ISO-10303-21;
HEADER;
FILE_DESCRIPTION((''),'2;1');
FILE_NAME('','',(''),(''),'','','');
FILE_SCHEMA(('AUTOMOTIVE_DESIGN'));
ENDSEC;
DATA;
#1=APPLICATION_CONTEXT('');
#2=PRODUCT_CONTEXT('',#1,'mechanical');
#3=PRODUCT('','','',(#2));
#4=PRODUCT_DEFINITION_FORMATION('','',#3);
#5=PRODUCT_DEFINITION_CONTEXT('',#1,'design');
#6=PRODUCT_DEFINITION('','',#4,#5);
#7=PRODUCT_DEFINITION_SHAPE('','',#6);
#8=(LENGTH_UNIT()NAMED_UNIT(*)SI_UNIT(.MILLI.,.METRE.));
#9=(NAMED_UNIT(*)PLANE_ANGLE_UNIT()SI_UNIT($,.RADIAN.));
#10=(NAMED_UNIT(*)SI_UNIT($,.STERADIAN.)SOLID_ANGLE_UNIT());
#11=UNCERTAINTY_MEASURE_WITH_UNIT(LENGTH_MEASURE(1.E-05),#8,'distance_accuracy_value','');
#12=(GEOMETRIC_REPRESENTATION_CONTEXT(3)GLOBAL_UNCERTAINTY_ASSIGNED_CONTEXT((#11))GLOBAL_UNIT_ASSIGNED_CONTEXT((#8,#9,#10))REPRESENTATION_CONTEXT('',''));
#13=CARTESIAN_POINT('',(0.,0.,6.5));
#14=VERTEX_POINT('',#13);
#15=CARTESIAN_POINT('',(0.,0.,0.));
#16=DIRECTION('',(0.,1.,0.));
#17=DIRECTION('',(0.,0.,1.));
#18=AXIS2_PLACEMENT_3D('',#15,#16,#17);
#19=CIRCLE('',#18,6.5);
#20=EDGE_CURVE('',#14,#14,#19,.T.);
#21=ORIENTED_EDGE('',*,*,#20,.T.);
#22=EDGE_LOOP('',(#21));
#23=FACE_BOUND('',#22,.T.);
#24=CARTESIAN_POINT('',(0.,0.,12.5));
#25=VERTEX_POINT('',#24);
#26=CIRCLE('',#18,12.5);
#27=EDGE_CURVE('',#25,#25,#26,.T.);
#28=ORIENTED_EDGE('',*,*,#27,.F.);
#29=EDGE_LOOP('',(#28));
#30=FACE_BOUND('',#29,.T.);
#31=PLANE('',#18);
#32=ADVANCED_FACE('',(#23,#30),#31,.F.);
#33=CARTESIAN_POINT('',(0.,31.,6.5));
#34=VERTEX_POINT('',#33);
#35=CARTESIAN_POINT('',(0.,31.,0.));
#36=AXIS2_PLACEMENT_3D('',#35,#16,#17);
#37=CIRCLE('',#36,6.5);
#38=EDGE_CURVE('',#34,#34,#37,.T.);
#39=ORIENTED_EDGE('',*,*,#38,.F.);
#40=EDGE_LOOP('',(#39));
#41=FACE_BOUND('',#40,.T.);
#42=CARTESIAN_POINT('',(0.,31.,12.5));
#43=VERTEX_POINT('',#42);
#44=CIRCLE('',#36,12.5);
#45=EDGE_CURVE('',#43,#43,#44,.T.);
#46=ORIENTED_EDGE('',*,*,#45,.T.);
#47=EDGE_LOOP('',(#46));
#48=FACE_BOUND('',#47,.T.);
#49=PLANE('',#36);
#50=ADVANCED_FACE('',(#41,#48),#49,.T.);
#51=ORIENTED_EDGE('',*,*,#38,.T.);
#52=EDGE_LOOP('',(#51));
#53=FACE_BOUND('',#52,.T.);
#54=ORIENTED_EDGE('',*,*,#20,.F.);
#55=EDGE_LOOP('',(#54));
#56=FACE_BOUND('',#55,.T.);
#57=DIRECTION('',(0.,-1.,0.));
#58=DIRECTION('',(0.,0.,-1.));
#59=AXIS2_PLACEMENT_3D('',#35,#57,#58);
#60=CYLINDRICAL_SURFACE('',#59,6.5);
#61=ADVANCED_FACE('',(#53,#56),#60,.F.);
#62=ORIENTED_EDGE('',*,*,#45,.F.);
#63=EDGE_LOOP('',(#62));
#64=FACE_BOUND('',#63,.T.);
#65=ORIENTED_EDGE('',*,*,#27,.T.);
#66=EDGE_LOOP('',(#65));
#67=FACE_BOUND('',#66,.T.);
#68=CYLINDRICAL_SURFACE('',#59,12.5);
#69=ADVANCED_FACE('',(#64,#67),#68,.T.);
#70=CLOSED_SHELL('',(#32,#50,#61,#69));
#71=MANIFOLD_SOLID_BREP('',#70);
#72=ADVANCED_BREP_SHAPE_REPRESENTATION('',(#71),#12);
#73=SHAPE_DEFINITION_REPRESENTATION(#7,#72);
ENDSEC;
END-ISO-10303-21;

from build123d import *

# Parameters (mm, degrees)
ESQUISSE1_R      = 12.5
ESQUISSE1_R_2    = 6.5
EXTRUSION1_DEPTH = 31


with BuildPart() as part:
    # Esquisse1 → Extrusion1 (new body)
    with BuildSketch(Plane(origin=(0, 0, 0), x_dir=(1, 0, 0), z_dir=(0, 1, 0))):
        Circle(ESQUISSE1_R)
        Circle(ESQUISSE1_R_2, mode=Mode.SUBTRACT)
    extrude(amount=EXTRUSION1_DEPTH)


solid = part.part
